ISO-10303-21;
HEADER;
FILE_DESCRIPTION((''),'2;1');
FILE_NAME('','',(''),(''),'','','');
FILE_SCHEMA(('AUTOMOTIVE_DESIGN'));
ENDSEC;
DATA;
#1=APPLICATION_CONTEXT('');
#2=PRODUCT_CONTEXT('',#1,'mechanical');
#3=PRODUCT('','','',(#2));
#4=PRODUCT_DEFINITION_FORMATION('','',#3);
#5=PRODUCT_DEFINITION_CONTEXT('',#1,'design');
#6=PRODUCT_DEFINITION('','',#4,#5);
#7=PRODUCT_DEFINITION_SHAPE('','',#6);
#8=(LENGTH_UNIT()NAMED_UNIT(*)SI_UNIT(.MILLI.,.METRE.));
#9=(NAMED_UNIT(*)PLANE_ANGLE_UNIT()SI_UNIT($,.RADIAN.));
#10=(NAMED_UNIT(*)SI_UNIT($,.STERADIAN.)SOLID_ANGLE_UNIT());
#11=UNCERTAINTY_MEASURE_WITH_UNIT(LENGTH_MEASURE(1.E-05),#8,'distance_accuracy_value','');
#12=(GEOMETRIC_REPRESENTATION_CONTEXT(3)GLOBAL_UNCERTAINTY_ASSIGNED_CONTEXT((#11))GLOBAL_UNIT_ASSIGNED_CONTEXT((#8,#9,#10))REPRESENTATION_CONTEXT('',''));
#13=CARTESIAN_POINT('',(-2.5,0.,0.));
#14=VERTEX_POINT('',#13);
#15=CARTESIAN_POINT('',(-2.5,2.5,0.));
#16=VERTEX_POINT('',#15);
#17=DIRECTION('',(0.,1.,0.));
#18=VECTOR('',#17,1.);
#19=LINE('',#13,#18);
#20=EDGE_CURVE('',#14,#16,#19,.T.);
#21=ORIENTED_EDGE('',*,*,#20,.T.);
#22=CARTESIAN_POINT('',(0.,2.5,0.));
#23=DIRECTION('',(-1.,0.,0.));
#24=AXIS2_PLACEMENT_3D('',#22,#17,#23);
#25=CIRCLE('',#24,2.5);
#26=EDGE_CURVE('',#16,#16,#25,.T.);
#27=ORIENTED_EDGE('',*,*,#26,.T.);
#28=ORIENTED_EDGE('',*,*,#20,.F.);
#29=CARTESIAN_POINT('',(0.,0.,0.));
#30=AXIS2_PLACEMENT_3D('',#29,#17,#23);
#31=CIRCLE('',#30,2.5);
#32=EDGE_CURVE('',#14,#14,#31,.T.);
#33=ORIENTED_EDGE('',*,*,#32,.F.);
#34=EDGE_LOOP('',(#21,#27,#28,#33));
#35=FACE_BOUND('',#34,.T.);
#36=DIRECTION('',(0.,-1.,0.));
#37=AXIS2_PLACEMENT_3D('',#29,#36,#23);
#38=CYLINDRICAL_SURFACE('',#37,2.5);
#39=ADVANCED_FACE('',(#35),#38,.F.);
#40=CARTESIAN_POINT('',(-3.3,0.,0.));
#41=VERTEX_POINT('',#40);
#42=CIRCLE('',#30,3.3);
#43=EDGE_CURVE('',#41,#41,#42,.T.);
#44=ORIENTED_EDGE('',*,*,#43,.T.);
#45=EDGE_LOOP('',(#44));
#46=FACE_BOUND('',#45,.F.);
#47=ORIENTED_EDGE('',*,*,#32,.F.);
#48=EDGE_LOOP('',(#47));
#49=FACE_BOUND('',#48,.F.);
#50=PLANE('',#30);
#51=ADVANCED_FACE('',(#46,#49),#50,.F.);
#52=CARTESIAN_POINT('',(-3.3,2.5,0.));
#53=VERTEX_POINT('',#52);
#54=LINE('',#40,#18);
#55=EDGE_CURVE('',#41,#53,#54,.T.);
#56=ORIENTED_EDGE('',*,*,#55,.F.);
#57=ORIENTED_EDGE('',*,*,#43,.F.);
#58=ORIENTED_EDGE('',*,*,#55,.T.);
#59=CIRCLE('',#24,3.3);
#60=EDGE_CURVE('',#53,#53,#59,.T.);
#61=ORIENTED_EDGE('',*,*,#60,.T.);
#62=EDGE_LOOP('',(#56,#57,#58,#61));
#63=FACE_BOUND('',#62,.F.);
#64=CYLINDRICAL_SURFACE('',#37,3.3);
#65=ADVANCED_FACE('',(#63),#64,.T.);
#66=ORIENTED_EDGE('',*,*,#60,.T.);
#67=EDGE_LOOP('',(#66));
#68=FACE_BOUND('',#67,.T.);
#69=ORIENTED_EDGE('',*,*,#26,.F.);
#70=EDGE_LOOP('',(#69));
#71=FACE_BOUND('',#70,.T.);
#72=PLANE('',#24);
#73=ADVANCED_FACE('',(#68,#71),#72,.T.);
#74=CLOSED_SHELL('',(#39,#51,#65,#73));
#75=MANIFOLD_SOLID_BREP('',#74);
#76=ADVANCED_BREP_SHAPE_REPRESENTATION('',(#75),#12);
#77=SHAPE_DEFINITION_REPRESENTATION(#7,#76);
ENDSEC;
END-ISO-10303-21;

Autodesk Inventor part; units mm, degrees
ref_plane "YZ Plane" through (0, 0, 0) normal (1, 0, 0) x (0, 1, 0)
ref_plane "XZ Plane" through (0, 0, 0) normal (0, 1, 0) x (-1, 0, 0)
ref_plane "XY Plane" through (0, 0, 0) normal (0, 0, 1) x (1, 0, 0)
sketch "Boceto1" plane through (0, 0, 0) normal (0, 1, 0) x (-1, 0, 0)
  circle A0 centre (0, 0) radius 2.5
  circle A1 centre (0, 0) radius 3.3
  dimension "d0" = 5
  dimension "d1" = 6.6
extrude "Extrusión1" add sketch "Boceto1" along normal blind 2.5
properties part number "Buje para polea lisa" material "Plastico PETG"
